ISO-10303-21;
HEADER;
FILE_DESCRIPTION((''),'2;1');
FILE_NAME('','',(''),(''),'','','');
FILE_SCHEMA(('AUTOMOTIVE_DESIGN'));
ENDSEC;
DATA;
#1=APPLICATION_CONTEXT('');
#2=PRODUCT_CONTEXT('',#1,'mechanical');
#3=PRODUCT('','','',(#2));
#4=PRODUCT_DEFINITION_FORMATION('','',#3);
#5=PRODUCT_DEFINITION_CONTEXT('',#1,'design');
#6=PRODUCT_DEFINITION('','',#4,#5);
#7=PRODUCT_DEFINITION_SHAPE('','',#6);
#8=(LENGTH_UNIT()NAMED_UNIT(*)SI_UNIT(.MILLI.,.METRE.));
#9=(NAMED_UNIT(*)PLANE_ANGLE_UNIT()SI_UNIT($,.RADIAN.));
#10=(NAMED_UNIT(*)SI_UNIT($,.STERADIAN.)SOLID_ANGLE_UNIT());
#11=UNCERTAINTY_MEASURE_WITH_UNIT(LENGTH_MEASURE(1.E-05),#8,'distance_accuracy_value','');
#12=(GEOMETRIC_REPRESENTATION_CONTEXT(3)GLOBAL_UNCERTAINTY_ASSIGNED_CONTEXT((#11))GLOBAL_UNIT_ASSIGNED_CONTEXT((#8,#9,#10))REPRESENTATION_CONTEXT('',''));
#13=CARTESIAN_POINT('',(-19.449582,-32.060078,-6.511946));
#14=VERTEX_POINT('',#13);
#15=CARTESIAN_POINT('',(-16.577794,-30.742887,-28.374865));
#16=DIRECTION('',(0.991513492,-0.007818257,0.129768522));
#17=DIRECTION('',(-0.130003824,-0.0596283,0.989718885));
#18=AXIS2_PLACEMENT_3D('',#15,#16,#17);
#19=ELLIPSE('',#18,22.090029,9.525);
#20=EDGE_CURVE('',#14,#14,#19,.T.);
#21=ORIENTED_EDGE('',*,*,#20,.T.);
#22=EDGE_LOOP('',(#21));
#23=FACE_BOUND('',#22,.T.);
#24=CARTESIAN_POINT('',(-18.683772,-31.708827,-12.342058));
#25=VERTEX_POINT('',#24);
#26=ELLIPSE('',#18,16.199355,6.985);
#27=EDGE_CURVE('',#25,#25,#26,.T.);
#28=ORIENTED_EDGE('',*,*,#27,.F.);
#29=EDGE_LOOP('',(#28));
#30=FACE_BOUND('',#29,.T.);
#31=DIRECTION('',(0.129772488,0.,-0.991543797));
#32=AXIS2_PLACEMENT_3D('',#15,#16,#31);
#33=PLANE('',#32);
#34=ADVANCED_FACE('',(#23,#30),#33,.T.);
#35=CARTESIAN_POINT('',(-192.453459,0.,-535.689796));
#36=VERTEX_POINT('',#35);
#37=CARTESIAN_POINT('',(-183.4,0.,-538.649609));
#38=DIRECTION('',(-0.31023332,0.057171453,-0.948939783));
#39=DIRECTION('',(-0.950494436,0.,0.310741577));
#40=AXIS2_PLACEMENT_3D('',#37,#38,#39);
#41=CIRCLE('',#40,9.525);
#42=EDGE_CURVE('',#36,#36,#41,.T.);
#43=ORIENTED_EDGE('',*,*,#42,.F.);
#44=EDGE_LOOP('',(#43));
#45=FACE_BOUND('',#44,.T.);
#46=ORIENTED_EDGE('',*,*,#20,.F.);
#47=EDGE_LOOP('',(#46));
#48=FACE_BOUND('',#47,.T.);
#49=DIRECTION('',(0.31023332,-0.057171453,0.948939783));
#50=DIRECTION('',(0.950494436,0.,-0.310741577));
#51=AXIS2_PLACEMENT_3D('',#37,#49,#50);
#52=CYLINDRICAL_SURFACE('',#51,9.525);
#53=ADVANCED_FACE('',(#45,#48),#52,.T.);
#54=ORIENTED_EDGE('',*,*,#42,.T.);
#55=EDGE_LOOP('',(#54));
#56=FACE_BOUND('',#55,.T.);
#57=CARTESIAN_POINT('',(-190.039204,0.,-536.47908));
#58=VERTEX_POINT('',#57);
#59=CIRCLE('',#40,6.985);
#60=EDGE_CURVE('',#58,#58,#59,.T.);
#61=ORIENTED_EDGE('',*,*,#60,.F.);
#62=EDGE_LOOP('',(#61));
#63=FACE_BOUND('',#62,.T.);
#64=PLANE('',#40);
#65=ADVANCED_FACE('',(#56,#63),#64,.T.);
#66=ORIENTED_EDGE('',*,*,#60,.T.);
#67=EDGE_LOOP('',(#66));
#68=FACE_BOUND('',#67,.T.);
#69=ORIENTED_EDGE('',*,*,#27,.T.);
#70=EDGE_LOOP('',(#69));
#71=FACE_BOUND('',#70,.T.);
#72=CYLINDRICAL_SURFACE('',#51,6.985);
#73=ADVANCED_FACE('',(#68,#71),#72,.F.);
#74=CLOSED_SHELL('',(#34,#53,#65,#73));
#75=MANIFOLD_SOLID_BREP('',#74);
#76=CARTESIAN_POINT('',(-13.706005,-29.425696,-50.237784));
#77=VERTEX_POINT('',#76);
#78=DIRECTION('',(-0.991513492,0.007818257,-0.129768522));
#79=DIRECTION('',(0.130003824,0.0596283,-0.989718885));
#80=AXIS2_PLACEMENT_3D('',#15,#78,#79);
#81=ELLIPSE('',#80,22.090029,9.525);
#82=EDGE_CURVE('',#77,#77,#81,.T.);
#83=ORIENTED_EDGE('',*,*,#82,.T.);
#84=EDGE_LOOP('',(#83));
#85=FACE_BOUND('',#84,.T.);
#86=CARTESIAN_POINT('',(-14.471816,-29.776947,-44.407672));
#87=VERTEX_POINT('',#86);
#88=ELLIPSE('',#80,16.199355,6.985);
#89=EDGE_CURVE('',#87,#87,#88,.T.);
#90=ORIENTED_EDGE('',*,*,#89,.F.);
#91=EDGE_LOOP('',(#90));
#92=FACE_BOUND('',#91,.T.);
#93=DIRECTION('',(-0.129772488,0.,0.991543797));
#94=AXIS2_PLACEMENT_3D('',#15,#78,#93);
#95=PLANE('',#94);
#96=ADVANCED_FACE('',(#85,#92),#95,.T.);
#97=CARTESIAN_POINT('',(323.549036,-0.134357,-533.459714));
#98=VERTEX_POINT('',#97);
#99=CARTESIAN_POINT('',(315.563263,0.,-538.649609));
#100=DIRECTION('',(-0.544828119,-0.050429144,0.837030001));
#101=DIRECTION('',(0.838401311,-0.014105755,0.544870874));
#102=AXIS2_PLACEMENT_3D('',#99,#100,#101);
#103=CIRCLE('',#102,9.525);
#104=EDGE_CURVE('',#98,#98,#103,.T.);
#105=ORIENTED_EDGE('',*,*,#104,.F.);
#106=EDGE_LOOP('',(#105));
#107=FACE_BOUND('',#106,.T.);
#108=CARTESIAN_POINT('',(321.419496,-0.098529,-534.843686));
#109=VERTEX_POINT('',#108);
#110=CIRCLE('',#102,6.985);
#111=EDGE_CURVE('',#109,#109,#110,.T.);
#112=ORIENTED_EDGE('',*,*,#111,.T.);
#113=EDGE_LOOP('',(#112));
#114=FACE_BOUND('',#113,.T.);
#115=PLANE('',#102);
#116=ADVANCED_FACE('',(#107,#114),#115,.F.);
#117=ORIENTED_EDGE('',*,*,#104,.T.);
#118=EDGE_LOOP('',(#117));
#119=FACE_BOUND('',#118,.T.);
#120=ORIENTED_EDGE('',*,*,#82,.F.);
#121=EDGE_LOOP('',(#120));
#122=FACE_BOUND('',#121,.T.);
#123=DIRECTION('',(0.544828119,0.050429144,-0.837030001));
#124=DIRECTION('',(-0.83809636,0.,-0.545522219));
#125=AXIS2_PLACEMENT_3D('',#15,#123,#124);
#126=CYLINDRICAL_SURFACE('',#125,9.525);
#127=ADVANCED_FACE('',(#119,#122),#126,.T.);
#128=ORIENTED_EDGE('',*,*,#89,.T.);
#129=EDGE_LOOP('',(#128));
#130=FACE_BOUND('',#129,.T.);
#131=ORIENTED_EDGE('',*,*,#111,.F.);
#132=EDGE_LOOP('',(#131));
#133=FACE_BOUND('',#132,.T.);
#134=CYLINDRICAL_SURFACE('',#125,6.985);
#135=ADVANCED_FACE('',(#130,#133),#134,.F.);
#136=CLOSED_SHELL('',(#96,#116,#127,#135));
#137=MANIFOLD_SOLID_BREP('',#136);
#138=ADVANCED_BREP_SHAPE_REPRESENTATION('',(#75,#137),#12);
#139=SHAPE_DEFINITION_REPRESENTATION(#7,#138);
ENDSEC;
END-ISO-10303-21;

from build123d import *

# Parameters (mm, degrees)
SKETCH1_ON_SEGMENT_1_R                         = 9.525
SKETCH1_ON_SEGMENT_1_R_2                       = 6.985
PIPE_STANDARD_S40_PIPE_1_SCH_40_5_DEPTH        = 638.812049493
SKETCH1_R                                      = 9.525
SKETCH1_R_2                                    = 6.985
PIPE_STANDARD_S40_PIPE_1_SCH_40_5_2_DEPTH      = 537.731427899
PIPE_STANDARD_S40_PIPE_1_SCH_40_5_2_DEPTH_BACK = 29.186654936


with BuildPart() as part:
    # Sketch1 on segment 1 (carried to segment 1) → Pipe standard s40 PIPE 1 SCH 40(5) (new body)
    with BuildSketch(Plane(origin=(315.563263322, 0, -538.649609422), x_dir=(0.780565152, 0.334231479, 0.528211474), z_dir=(-0.544828119, -0.050429144, 0.837030001))):
        Circle(SKETCH1_ON_SEGMENT_1_R)
        Circle(SKETCH1_ON_SEGMENT_1_R_2, mode=Mode.SUBTRACT)
    extrude(amount=PIPE_STANDARD_S40_PIPE_1_SCH_40_5_DEPTH)

    # Pipe standard s40 PIPE 1 SCH 40(5) mitre
    split(bisect_by=Plane(origin=(-16.577793594, -30.742886911, -28.374864893), x_dir=(0.007884929, 0.999968913, 0), z_dir=(0.991513492, -0.007818257, 0.129768522)), keep=Keep.TOP)


with BuildPart() as body_2:
    # Sketch1 → Pipe standard s40 PIPE 1 SCH 40_5 2 (new, two sides)
    with BuildSketch(Plane(origin=(-16.577793594, -30.742886911, -28.374864893), x_dir=(-0.8849256600733008, 0.3473641648259723, 0.31023332048409596), z_dir=(-0.3102333204840959, 0.057171452728250034, -0.9489397830496694))) as pipe_standard_s40_pipe_1_sch_40_5_2_sk:
        Circle(SKETCH1_R)
        Circle(SKETCH1_R_2, mode=Mode.SUBTRACT)
    extrude(amount=PIPE_STANDARD_S40_PIPE_1_SCH_40_5_2_DEPTH)
    extrude(pipe_standard_s40_pipe_1_sch_40_5_2_sk.sketch, amount=-PIPE_STANDARD_S40_PIPE_1_SCH_40_5_2_DEPTH_BACK)

    # Pipe standard s40 PIPE 1 SCH 40_5 2 mitr
    split(bisect_by=Plane(origin=(-16.577793594, -30.742886911, -28.374864893), x_dir=(-0.007884929, -0.999968913, 0), z_dir=(-0.991513492, 0.007818257, -0.129768522)), keep=Keep.TOP)


solid = Compound([part.part, body_2.part])
